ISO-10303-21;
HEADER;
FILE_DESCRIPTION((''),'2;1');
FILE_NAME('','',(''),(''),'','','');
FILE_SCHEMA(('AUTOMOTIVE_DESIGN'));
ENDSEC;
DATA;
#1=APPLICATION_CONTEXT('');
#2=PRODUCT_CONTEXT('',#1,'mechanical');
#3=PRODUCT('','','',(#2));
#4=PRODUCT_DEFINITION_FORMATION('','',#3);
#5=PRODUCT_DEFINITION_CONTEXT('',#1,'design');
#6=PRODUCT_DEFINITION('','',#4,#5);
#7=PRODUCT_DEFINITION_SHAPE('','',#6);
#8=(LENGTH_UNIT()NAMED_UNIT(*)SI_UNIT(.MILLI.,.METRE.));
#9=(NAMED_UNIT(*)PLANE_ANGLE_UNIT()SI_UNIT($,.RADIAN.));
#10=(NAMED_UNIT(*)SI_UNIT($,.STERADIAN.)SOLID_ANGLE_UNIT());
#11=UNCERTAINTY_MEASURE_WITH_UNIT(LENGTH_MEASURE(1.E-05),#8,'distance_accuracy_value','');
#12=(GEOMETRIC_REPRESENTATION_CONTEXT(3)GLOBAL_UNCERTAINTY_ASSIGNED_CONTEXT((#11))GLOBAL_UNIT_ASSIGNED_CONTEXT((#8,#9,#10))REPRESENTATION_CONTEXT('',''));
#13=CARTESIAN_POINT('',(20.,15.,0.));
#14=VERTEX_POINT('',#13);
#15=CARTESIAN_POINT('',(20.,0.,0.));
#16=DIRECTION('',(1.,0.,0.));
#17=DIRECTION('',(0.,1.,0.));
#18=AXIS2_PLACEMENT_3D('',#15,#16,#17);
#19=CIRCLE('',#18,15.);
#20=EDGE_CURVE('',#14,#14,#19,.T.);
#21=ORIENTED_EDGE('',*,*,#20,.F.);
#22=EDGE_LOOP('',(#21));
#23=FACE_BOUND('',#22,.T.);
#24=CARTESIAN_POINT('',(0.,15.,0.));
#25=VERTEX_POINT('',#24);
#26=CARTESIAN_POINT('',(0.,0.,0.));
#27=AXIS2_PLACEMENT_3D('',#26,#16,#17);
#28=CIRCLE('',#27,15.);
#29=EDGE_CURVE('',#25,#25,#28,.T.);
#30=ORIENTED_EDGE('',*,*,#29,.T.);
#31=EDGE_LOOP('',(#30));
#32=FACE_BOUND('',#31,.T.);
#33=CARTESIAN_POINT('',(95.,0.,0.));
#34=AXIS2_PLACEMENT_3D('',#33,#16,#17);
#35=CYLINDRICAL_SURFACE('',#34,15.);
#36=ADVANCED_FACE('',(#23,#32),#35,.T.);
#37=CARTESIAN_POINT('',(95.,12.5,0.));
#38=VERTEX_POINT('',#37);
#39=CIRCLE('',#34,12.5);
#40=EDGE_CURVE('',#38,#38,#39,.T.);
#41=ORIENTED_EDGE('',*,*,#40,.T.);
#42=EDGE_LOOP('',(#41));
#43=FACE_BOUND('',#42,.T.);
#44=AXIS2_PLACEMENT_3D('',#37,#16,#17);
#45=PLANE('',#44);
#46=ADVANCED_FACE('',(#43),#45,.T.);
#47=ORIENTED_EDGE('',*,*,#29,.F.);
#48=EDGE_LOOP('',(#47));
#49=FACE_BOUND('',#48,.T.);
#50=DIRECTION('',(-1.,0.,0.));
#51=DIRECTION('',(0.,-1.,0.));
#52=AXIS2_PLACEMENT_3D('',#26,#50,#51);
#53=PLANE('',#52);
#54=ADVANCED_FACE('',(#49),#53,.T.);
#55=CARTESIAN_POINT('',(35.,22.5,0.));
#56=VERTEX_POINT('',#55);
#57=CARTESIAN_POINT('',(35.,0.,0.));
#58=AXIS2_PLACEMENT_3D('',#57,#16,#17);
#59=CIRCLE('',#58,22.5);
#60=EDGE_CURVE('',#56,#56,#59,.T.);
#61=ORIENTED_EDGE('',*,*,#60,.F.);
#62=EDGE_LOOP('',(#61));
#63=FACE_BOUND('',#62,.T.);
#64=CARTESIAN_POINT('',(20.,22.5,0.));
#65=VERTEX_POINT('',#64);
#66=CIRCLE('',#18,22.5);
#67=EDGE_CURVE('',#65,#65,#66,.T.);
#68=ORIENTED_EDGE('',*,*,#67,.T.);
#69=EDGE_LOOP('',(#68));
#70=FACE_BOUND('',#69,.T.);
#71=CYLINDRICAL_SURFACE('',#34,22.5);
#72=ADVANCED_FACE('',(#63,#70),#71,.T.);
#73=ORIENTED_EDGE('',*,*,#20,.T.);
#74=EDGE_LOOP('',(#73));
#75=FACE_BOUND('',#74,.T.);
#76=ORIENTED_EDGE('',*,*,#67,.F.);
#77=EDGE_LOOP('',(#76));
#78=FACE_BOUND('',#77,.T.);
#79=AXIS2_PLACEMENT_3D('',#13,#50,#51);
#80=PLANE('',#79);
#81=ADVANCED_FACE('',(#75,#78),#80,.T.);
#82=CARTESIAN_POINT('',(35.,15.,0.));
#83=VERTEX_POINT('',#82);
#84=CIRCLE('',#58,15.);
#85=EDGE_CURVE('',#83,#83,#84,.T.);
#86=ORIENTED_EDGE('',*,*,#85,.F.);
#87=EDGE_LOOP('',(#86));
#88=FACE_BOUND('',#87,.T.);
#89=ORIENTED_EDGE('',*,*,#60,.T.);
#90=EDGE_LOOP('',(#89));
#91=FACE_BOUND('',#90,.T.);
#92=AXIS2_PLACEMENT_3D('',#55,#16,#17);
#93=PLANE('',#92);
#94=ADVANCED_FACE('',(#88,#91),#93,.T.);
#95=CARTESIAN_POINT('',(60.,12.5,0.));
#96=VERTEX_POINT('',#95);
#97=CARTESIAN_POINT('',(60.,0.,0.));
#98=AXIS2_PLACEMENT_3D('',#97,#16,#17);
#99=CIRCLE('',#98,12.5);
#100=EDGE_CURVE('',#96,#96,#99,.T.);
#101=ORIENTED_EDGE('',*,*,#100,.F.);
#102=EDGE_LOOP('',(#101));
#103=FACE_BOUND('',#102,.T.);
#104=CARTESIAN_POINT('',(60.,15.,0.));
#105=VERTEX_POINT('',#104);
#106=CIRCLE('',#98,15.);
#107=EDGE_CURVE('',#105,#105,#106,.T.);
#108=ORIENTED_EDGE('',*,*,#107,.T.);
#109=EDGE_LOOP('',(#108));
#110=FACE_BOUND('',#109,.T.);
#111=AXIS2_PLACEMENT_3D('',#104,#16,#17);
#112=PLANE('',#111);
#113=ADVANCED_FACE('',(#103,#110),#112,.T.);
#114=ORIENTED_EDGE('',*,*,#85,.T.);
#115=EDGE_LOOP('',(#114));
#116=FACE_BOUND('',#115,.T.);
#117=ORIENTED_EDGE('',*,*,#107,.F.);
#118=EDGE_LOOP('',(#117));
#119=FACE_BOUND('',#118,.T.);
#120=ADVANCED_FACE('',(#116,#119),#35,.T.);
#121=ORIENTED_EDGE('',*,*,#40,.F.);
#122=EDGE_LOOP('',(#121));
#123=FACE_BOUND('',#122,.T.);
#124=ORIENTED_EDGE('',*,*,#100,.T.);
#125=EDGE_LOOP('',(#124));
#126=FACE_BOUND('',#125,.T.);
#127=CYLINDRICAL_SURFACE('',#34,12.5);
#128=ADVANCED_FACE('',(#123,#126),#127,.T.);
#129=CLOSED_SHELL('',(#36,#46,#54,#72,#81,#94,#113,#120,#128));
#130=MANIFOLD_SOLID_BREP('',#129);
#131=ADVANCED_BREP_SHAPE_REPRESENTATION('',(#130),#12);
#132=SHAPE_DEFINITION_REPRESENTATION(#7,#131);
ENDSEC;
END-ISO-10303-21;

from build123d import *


with BuildPart() as part:
    # Skica1 → Rotovat1 (revolve)
    with BuildSketch(Plane.XY):
        Polygon((0, 0), (0, 15), (20, 15), (20, 22.5), (35, 22.5), (35, 15), (60, 15), (60, 12.5), (95, 12.5), (95, 0), align=None)
    revolve(axis=Axis((95, 0, 0), (-1, 0, 0)))


solid = part.part
